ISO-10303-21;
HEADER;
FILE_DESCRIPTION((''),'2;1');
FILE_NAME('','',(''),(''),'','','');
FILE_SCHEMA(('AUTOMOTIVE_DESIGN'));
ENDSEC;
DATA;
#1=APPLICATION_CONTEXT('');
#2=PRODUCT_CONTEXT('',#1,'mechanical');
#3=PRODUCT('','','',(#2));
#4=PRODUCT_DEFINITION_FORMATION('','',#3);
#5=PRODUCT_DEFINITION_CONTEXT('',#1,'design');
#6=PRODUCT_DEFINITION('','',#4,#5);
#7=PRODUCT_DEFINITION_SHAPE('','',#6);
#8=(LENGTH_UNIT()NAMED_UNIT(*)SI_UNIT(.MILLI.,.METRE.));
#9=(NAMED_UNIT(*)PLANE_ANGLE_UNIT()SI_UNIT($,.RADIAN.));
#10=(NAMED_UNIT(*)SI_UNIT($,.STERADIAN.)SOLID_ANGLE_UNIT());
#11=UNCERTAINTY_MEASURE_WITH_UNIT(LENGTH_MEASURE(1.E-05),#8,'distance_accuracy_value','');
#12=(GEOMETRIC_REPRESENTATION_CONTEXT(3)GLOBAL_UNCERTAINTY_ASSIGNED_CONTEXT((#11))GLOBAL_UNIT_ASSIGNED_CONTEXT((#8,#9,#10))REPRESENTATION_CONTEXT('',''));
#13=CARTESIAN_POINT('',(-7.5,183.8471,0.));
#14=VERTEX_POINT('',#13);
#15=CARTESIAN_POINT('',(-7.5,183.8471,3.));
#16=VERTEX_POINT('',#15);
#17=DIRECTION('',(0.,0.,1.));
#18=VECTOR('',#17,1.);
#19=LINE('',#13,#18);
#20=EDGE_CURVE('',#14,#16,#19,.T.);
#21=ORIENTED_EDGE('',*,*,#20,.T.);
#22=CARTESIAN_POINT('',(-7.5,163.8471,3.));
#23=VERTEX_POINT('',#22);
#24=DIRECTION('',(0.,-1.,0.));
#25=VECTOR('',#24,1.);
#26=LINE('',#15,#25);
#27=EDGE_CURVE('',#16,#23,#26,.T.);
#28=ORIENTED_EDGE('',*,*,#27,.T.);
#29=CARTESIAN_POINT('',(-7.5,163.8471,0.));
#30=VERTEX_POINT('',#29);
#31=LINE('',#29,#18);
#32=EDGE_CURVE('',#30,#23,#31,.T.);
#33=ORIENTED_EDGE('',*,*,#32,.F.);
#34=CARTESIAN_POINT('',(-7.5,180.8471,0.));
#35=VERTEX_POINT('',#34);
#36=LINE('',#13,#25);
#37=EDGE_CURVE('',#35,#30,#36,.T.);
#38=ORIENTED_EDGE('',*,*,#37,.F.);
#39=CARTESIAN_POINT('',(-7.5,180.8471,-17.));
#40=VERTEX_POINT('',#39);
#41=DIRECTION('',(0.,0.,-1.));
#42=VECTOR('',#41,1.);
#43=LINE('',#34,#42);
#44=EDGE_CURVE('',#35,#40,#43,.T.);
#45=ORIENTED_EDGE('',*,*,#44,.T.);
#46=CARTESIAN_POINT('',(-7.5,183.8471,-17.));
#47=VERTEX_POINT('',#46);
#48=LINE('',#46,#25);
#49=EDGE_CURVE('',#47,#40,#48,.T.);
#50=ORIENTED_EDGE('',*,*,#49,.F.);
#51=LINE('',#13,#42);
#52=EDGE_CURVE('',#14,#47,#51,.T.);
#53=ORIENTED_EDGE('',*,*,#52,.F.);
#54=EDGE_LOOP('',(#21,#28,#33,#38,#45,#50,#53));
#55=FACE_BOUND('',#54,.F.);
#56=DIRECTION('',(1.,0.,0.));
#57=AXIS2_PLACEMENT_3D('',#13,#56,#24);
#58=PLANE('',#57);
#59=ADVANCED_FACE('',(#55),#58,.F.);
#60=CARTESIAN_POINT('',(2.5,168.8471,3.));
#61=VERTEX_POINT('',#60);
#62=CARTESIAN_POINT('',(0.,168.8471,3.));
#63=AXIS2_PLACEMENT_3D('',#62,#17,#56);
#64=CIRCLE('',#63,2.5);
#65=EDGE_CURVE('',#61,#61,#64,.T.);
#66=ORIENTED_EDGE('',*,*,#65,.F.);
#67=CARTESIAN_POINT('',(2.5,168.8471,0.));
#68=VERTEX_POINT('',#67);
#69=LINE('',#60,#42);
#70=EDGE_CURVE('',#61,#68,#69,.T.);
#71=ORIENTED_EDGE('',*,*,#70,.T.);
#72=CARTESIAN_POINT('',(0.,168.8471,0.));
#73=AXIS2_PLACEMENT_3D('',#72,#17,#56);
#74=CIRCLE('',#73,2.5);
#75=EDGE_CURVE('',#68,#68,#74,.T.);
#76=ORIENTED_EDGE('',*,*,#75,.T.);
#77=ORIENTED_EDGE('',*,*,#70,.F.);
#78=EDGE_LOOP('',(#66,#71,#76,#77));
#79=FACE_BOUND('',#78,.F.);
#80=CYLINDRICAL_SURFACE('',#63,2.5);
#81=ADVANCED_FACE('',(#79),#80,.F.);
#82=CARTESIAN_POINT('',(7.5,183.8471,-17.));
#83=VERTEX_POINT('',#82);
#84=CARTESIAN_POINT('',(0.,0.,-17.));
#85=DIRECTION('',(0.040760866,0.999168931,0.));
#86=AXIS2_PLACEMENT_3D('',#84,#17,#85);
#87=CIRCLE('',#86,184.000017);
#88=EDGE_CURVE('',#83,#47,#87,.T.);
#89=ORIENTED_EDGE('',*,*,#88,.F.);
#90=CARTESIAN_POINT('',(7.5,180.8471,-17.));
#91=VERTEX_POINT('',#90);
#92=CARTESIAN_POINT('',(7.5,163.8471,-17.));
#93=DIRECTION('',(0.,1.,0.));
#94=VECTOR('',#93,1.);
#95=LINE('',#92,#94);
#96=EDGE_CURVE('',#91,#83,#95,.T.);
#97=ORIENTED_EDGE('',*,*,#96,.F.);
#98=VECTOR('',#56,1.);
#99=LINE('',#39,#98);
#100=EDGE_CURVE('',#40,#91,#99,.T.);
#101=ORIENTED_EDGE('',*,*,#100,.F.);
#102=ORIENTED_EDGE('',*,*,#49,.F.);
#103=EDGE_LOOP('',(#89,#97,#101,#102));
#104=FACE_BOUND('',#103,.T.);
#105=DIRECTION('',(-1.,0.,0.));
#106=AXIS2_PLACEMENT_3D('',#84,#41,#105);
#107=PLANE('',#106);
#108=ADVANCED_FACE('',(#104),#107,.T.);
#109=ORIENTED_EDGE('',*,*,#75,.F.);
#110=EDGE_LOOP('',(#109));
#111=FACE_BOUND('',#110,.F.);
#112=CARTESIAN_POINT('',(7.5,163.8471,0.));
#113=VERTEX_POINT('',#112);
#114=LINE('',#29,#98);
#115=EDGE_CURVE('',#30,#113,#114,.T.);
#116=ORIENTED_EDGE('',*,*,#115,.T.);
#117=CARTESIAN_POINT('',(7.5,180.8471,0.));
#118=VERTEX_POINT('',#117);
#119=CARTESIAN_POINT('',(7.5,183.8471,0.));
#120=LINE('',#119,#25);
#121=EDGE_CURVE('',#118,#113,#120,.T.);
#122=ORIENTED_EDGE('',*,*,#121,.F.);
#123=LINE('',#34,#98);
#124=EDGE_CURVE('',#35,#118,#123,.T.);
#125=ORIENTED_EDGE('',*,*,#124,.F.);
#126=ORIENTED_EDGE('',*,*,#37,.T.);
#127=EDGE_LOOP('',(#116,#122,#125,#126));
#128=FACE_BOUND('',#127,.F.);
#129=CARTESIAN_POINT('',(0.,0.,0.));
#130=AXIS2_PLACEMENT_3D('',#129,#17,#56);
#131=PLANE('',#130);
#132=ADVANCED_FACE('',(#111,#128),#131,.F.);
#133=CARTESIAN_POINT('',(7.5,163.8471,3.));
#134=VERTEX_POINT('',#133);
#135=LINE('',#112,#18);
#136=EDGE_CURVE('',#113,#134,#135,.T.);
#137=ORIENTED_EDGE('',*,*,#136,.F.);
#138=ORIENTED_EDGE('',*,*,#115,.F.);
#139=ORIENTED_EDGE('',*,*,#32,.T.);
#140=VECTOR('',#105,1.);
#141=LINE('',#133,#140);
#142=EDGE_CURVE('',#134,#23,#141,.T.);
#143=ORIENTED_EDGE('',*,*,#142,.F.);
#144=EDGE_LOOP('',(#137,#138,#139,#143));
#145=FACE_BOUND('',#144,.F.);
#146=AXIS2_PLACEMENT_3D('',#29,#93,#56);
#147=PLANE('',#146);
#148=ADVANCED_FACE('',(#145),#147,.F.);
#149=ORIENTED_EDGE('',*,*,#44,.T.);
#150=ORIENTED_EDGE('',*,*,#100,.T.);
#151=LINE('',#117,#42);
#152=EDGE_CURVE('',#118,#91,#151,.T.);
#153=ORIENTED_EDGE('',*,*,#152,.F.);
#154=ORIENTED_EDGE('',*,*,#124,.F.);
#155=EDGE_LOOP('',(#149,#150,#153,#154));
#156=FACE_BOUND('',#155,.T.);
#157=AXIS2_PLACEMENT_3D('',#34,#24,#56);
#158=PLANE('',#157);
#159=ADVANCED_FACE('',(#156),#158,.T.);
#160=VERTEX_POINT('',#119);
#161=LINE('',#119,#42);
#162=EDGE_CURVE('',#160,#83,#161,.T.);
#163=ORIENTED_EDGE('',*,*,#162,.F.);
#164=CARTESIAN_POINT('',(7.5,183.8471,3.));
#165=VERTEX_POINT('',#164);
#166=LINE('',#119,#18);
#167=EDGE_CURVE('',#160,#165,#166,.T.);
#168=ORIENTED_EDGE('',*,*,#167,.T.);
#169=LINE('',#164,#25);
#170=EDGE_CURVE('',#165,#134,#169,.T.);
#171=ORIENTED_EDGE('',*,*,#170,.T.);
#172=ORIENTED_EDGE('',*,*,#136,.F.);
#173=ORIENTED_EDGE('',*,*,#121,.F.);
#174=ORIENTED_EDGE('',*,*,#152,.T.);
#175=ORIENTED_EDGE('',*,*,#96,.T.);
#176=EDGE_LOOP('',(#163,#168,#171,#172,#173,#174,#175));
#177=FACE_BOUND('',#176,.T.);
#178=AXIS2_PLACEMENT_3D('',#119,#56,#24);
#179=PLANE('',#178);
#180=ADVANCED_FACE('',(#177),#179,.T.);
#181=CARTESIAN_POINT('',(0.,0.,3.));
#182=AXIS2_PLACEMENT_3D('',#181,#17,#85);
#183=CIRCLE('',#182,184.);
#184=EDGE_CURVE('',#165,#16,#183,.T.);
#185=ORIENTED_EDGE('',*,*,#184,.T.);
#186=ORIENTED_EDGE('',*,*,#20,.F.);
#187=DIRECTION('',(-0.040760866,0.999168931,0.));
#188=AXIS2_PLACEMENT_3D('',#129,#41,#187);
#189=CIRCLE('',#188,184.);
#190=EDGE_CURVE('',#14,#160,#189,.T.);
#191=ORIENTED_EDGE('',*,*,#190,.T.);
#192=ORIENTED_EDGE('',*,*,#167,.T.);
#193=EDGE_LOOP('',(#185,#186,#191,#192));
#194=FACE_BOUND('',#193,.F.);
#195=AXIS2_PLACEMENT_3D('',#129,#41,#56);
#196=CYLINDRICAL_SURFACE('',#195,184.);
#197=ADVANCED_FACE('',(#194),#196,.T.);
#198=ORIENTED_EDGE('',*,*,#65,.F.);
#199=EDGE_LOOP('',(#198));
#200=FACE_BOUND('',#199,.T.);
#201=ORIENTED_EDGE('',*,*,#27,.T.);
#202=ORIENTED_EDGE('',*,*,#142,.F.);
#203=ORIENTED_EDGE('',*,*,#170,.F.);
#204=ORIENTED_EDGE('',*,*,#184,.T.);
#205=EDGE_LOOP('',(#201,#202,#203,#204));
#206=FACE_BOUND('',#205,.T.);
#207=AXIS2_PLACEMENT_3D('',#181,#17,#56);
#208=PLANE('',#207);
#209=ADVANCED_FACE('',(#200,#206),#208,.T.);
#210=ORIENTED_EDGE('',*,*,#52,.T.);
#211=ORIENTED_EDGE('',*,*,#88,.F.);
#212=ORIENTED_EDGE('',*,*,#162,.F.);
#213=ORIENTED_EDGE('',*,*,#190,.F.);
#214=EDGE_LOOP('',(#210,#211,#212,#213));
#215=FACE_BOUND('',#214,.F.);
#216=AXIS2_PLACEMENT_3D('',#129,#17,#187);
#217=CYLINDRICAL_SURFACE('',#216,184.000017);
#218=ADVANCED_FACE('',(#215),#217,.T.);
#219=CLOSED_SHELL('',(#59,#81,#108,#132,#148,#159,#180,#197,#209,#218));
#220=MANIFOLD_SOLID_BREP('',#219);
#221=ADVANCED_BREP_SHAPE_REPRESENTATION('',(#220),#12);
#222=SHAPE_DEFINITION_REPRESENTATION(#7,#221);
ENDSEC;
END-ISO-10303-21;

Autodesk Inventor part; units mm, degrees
ref_plane "YZ Plane" through (0, 0, 0) normal (1, 0, 0) x (0, 1, 0)
ref_plane "XZ Plane" through (0, 0, 0) normal (0, 1, 0) x (-1, 0, 0)
ref_plane "XY Plane" through (0, 0, 0) normal (0, 0, 1) x (1, 0, 0)
sketch "Skizze5" plane through (0, 0, 0) normal (0, 0, 1) x (1, 0, 0)
  line L0 (-257.6, 0) -> (257.6, 0) projected
  line L1 (0, -257.6) -> (0, 257.6) projected
  circle A0 centre (0, 0) radius 184
  line L2 (0, 0) -> (0, 184)
  line L3 (-7.5, 183.8471) -> (7.5, 183.8471)
  line L4 (-7.5, 183.8471) -> (-7.5, 163.8471)
  line L5 (7.5, 183.8471) -> (7.5, 163.8471)
  line L6 (-7.5, 163.8471) -> (7.5, 163.8471)
  dimension "d14" = 368
  dimension "d15" = 15
  dimension "d16" = 20
  dimension "d17" = 20
extrude "Extrusion3" add sketch "Skizze5" along normal blind 3 contours L6 L4 L3 L1 | L1 L3 L5 L6 | L3 L1 A0 | A0 L1 L3
sketch "Skizze6" plane through (0, 0, 0) normal (0, 0, -1) x (-1, 0, 0)
  line L0 (-7.5, 163.8471) -> (-7.5, 183.8471) projected
  arc A0 (7.5, 183.8471) -> (-7.5, 183.8471) centre (0, 0) ccw projected
  arc A1 (-7.5, 183.8471) -> (0, 184) centre (0, 0) ccw
  line L1 (-7.5, 183.8471) -> (7.5, 183.8471)
  line L2 (7.5, 183.8471) -> (7.5, 180.8471)
  line L3 (7.5, 180.8471) -> (-7.5, 180.8471)
  line L4 (-7.5, 180.8471) -> (-7.5, 183.8471)
  point P0 (7.5, 183.8471)
  point P1 (-7.5, 180.8471)
  dimension "d20" = 3
extrude "Extrusion4" add sketch "Skizze6" along normal blind 17 contours L0 L1 L2 L3 | A0 L1
sketch "Skizze7" plane through (0, 0, 3) normal (0, 0, 1) x (1, 0, 0)
  line L0 (-7.5, 163.8471) -> (7.5, 163.8471) projected
  circle A0 centre (0, 168.8471) radius 2.5
  point P0 (0, 0)
  dimension "d23" = 5
  dimension "d24" = 5
extrude "Extrusion5" cut sketch "Skizze7" against normal blind 17
properties part number "WinkelVentilator"
